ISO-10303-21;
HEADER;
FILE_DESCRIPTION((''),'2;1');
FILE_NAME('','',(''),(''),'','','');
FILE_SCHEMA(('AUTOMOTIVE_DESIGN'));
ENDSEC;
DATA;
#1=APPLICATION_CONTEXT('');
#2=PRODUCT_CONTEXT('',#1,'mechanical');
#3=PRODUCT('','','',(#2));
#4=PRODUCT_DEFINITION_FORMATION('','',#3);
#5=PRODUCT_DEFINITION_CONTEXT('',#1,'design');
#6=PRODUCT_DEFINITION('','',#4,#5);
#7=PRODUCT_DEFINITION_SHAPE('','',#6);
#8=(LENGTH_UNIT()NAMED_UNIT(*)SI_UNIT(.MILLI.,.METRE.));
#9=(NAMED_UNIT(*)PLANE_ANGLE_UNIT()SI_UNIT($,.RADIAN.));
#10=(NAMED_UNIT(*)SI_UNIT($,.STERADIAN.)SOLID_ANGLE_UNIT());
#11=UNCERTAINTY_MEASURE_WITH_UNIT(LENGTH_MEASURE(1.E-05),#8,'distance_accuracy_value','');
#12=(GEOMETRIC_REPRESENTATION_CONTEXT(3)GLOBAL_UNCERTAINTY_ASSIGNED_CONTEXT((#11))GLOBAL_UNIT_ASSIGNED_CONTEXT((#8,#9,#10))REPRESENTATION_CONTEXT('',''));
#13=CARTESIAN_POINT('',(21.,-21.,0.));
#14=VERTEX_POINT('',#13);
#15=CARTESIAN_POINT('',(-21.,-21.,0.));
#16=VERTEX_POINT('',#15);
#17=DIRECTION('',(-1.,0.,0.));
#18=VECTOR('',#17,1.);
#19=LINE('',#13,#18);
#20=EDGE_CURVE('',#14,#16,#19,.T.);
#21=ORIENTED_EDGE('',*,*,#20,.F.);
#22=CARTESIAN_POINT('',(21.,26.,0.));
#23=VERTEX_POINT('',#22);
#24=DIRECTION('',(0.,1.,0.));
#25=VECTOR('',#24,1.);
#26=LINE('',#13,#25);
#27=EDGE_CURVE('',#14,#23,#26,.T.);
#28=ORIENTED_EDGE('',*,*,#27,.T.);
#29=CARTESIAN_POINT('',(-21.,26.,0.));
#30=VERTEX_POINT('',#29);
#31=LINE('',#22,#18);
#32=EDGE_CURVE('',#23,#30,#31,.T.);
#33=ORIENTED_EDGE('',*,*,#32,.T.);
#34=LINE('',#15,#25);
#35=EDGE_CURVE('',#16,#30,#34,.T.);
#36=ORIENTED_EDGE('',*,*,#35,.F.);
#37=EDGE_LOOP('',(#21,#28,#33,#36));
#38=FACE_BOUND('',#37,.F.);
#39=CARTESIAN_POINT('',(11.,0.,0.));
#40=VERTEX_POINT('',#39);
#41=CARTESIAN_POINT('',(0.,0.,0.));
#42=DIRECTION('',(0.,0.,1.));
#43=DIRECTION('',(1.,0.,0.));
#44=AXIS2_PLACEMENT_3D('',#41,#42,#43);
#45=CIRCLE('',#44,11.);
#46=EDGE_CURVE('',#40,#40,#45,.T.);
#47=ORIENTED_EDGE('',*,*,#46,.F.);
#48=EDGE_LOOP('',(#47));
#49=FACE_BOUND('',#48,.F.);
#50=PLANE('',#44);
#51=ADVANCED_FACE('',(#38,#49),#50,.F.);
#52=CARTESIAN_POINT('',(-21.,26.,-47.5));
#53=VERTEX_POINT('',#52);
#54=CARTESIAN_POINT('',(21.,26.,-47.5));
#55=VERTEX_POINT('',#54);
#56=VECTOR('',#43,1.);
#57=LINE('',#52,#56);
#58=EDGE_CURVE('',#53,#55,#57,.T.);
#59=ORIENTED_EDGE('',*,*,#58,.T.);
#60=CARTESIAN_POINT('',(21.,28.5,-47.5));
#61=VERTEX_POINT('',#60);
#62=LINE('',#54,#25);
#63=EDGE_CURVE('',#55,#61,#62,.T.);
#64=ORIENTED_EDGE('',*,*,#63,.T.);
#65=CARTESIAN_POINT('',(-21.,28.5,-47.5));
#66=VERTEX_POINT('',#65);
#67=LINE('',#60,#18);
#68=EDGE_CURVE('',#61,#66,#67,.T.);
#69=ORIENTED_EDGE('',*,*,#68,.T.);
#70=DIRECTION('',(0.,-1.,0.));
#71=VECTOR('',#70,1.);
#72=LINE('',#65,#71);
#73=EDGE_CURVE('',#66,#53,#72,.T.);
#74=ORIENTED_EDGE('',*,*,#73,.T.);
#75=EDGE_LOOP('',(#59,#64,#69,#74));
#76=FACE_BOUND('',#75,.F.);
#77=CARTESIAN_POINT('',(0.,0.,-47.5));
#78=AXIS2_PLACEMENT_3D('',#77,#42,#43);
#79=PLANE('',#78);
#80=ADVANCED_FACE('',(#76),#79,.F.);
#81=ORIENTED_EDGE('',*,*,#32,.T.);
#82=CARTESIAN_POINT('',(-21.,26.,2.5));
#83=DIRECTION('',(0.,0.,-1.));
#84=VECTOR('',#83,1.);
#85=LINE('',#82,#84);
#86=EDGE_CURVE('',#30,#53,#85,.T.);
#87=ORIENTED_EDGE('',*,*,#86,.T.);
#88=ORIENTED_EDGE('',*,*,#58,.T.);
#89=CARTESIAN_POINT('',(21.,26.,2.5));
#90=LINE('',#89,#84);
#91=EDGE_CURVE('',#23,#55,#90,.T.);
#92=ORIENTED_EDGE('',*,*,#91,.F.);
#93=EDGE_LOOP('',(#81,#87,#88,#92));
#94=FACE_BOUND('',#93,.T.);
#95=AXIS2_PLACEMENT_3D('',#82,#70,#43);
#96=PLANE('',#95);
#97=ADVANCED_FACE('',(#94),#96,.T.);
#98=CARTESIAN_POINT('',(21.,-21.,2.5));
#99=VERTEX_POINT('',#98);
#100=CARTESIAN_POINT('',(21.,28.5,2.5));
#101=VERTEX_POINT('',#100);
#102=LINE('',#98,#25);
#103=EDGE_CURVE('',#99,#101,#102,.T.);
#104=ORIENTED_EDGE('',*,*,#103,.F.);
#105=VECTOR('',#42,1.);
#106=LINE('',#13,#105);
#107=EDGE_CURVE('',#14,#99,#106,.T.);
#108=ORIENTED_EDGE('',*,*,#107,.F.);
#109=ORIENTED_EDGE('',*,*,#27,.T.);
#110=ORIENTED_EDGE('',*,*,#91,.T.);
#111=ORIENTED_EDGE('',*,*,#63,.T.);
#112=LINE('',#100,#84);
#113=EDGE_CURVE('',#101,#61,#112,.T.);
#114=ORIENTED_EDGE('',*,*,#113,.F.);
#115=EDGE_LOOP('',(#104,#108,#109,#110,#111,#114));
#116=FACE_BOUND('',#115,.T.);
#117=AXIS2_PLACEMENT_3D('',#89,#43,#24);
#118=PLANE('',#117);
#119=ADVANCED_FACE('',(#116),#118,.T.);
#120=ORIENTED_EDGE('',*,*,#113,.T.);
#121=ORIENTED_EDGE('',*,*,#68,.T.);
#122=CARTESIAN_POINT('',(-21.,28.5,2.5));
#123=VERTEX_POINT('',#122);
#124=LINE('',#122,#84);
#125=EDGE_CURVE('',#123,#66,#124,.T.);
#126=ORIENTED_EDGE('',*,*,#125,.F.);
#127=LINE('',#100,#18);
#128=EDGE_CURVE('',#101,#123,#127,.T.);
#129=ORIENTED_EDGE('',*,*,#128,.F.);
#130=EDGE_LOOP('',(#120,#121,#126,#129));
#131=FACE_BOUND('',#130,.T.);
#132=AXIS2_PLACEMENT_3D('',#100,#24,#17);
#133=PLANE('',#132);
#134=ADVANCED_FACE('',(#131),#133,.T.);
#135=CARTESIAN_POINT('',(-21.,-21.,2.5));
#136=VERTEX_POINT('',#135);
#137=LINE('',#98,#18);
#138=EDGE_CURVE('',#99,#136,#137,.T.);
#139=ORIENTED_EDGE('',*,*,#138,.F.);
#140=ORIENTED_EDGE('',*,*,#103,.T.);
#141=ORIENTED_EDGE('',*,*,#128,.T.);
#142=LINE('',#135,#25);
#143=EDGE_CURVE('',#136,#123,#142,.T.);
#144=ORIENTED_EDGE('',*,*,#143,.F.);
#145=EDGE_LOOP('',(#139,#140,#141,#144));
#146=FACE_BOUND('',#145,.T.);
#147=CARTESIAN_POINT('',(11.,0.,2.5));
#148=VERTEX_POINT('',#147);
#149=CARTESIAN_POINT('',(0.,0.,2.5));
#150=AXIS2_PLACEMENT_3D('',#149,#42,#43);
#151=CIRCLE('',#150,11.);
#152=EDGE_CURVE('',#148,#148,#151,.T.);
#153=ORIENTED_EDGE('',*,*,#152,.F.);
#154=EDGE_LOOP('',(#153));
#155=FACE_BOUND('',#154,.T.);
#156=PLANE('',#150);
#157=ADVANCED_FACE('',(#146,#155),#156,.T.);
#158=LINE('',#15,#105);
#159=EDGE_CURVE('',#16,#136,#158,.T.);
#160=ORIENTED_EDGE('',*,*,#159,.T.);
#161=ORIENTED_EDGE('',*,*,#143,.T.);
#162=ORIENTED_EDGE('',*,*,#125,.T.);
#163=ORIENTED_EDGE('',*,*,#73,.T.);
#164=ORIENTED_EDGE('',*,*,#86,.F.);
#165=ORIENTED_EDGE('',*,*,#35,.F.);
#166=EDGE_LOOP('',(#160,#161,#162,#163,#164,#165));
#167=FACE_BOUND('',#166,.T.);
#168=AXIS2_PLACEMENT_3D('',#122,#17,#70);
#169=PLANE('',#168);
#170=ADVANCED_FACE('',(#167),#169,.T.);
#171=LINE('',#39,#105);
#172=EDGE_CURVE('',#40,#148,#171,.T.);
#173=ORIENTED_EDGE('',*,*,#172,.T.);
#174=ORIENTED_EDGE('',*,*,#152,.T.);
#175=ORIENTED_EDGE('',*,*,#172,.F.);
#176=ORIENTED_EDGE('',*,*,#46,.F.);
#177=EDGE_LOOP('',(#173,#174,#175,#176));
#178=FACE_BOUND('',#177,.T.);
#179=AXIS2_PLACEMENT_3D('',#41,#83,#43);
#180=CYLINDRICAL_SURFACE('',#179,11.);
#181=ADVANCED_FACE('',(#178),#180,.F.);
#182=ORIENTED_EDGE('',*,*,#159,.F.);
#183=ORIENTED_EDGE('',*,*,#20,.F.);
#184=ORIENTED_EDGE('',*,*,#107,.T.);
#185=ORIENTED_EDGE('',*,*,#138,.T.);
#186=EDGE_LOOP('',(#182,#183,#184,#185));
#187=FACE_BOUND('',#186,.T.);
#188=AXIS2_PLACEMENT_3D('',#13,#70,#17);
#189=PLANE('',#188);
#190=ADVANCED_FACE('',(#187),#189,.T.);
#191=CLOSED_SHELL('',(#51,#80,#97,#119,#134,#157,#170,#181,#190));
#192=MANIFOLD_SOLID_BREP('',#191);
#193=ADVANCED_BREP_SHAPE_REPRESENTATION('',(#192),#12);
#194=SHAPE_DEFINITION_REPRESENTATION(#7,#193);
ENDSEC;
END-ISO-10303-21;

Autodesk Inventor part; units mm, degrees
ref_plane "YZ Plane" through (0, 0, 0) normal (1, 0, 0) x (0, 1, 0)
ref_plane "XZ Plane" through (0, 0, 0) normal (0, 1, 0) x (-1, 0, 0)
ref_plane "XY Plane" through (0, 0, 0) normal (0, 0, 1) x (1, 0, 0)
sketch "Sketch1" plane through (0, 0, 0) normal (0, 0, 1) x (1, 0, 0)
  line L0 (-21, 21) -> (21, 21)
  line L1 (21, 21) -> (21, -21)
  line L2 (21, -21) -> (-21, -21)
  line L3 (-21, -21) -> (-21, 21)
  line L4 (-21, 21) -> (21, -21) construction
  line L5 (21, 21) -> (-21, -21) construction
  circle A0 centre (0, 0) radius 11
  dimension "d0" = 42
  dimension "d1" = 42
  dimension "d2" = 22
extrude "Extrusion1" add sketch "Sketch1" along normal blind 2.5
sketch "Sketch2" plane through (-21, 21, 0) normal (0, 1, 0) x (1, 0, 0)
  line L0 (42, 0) -> (0, 0) projected
  line L1 (0, 0) -> (0, -2.5) projected
  line L2 (42, -2.5) -> (0, -2.5) projected
  line L3 (42, 0) -> (42, -2.5) projected
  point P0 (21, 0)
extrude "Extrusion2" add sketch "Sketch2" along normal blind 5
sketch "Sketch3" plane through (0, 0, 2.5) normal (0, 0, 1) x (1, 0, 0)
  line L0 (-21, -21) -> (-21, 26) projected
  line L1 (-21, 26) -> (21, 26)
  line L2 (21, 26) -> (21, 28.5)
  line L3 (21, 28.5) -> (-21, 28.5)
  line L4 (-21, 28.5) -> (-21, 26)
  point P0 (0, 0)
  dimension "d7" = 42
  dimension "d8" = 2.5
extrude "Extrusion3" add sketch "Sketch3" against normal blind 50
properties part number "SOPORTE DE NEMA"
